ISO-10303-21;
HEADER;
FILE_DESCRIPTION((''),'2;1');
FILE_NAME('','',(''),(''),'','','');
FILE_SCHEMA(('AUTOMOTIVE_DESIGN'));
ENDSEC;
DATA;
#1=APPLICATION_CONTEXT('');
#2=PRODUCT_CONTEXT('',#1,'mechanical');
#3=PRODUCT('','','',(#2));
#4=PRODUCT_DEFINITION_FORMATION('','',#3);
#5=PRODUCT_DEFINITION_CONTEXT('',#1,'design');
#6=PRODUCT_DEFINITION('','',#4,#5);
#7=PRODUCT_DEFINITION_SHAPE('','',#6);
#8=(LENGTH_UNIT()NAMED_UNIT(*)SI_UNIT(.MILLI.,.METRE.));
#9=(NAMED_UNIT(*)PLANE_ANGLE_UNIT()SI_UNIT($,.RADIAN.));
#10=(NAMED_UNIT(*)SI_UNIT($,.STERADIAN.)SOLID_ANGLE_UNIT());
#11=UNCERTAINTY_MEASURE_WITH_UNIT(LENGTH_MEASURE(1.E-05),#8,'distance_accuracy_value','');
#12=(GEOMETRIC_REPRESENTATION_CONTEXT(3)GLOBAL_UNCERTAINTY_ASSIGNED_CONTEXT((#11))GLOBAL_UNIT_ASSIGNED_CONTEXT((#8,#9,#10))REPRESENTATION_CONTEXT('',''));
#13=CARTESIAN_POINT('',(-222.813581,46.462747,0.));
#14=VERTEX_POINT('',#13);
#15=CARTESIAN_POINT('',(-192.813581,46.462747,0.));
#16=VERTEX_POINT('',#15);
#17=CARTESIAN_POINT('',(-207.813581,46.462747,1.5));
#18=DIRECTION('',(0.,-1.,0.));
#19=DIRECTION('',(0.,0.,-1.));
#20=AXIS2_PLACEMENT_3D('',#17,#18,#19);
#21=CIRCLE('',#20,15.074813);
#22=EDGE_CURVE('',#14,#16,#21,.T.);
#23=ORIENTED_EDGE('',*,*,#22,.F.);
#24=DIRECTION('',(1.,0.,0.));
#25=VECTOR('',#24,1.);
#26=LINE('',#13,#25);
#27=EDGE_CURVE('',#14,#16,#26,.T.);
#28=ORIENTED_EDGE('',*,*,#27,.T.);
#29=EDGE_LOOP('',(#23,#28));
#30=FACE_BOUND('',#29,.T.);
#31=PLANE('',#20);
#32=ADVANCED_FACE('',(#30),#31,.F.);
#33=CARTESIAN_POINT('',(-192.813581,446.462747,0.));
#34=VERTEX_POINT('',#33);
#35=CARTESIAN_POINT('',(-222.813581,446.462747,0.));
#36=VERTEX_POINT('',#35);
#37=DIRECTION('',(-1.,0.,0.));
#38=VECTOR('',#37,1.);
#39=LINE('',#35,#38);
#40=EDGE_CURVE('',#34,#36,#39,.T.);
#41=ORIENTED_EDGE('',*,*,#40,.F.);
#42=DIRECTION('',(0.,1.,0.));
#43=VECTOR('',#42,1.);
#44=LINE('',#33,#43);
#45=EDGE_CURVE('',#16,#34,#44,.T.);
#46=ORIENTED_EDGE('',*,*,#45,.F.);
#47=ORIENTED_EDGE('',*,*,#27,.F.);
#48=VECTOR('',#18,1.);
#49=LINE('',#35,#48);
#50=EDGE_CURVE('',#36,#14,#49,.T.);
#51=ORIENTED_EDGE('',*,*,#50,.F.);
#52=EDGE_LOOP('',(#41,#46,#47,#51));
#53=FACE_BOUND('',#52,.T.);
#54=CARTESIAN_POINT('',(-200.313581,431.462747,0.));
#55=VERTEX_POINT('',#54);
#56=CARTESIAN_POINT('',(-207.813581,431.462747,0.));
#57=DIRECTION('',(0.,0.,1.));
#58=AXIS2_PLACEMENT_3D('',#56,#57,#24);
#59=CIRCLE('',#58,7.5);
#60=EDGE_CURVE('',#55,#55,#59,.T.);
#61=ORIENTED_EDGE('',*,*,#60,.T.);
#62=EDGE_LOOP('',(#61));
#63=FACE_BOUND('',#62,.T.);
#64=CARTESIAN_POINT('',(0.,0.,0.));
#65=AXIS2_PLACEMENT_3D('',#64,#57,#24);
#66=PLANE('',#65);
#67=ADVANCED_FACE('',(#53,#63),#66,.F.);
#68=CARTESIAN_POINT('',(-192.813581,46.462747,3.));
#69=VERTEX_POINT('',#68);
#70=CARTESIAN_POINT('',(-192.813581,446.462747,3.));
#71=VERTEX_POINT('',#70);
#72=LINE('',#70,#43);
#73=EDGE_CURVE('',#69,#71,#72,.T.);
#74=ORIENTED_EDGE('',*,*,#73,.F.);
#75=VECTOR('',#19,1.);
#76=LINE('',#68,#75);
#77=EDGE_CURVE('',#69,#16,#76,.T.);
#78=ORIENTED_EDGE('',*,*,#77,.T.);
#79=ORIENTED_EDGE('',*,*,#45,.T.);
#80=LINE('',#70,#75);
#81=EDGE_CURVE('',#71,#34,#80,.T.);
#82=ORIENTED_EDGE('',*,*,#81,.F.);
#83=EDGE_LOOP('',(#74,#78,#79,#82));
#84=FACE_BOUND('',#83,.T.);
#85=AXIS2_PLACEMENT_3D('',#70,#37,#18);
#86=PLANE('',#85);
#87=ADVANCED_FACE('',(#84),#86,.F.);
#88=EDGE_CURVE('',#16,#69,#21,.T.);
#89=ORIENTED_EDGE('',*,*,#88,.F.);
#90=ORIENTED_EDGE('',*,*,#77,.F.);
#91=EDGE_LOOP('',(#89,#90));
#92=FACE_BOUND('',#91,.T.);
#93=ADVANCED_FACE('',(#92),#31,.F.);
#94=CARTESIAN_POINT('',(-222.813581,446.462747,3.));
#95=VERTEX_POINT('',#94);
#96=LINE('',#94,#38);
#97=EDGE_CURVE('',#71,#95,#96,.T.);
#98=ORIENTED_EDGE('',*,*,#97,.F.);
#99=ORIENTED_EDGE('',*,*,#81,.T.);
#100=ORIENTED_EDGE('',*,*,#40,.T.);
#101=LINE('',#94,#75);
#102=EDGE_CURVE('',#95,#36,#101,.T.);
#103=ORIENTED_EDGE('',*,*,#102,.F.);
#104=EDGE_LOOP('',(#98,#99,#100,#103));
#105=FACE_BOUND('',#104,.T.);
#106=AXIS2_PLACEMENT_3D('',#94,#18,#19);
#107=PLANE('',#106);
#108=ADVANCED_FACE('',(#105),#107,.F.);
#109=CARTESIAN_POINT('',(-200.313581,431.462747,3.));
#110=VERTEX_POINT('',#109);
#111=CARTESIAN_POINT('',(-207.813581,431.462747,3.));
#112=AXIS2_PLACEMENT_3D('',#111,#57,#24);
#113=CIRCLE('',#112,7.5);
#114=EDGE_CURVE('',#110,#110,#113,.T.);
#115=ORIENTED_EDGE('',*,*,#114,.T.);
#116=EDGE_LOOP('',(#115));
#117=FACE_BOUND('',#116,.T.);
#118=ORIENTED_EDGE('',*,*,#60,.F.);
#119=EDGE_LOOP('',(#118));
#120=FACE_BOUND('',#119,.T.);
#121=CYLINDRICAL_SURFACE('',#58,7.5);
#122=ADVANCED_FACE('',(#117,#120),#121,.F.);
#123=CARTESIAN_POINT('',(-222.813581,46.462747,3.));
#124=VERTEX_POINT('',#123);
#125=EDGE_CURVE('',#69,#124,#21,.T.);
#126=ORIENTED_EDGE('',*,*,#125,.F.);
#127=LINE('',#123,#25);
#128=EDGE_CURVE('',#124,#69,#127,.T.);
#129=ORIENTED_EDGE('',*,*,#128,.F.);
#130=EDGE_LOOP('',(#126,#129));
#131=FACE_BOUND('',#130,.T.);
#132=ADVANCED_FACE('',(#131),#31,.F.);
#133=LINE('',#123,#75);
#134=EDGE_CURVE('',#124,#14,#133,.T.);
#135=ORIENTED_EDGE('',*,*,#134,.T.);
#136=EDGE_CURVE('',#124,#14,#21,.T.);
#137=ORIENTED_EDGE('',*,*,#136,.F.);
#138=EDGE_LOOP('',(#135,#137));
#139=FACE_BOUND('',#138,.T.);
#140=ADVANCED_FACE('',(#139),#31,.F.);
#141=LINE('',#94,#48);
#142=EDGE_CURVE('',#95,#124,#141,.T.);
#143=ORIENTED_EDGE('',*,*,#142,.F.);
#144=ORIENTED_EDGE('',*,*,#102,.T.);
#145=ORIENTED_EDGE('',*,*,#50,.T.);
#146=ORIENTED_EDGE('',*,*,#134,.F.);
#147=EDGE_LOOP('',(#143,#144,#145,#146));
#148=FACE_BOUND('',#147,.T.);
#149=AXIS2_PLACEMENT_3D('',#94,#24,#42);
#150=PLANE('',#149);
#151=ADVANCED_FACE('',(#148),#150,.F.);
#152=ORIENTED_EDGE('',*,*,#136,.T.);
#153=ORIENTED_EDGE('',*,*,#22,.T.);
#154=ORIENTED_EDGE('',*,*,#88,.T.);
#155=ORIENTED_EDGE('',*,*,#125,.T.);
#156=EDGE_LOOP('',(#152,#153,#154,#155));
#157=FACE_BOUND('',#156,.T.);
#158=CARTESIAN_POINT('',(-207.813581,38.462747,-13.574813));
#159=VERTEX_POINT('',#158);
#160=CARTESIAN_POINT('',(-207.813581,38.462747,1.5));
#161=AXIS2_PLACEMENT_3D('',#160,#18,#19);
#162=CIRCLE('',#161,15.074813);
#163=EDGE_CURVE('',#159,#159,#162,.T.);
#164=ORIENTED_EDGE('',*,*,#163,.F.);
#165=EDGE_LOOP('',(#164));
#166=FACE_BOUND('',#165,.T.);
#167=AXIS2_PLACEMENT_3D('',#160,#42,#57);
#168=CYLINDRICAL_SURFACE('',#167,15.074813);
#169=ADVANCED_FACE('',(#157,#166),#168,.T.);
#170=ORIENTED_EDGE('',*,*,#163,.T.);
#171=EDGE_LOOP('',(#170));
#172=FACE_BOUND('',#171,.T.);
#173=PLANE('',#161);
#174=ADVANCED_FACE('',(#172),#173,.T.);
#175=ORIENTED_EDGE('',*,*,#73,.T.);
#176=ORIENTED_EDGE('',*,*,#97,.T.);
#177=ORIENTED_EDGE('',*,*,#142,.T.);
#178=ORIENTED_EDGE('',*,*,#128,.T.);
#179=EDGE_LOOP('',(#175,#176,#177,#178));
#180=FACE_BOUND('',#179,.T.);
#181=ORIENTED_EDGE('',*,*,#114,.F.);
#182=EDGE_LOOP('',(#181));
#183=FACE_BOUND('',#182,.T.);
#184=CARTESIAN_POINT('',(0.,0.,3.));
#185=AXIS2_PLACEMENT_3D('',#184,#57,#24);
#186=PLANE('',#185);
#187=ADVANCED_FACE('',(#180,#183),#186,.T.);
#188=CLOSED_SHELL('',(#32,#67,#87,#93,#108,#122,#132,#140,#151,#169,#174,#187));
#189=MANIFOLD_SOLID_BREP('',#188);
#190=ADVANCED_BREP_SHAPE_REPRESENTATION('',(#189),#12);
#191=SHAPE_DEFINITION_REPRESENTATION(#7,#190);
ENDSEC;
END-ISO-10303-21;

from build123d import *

# Parameters (mm, degrees)
SZKIC1_W                    = 30
SZKIC1_H                    = 400
DODANIE_WYCI_GNI_CIE1_DEPTH = 3
SZKIC2_R                    = 7.5
WYTNIJ_WYCI_GNI_CIE1_DEPTH  = 3
SZKIC3_R                    = 15.074813432
DODANIE_WYCI_GNI_CIE2_DEPTH = 8


with BuildPart() as part:
    # Szkic1 → Dodanie-wyciągnięcie1 (new body)
    with BuildSketch(Plane.XY):
        with Locations((-207.813580858, 246.462746709)):
            Rectangle(SZKIC1_W, SZKIC1_H)
    extrude(amount=DODANIE_WYCI_GNI_CIE1_DEPTH)

    # Szkic2 → Wytnij-wyciągnięcie1 (cut)
    with BuildSketch(Plane.XY.offset(3)):
        with Locations((-207.813580858, 431.462746709)):
            Circle(SZKIC2_R)
    extrude(amount=-WYTNIJ_WYCI_GNI_CIE1_DEPTH, mode=Mode.SUBTRACT)

    # Szkic3 → Dodanie-wyciągnięcie2 (add)
    with BuildSketch(Plane.XZ.offset(-46.462746709)):
        with Locations(Location((-207.813580858, 1.5, 0), (0, 0, 5.710593137))):
            Circle(SZKIC3_R)
    extrude(amount=DODANIE_WYCI_GNI_CIE2_DEPTH)


solid = part.part
